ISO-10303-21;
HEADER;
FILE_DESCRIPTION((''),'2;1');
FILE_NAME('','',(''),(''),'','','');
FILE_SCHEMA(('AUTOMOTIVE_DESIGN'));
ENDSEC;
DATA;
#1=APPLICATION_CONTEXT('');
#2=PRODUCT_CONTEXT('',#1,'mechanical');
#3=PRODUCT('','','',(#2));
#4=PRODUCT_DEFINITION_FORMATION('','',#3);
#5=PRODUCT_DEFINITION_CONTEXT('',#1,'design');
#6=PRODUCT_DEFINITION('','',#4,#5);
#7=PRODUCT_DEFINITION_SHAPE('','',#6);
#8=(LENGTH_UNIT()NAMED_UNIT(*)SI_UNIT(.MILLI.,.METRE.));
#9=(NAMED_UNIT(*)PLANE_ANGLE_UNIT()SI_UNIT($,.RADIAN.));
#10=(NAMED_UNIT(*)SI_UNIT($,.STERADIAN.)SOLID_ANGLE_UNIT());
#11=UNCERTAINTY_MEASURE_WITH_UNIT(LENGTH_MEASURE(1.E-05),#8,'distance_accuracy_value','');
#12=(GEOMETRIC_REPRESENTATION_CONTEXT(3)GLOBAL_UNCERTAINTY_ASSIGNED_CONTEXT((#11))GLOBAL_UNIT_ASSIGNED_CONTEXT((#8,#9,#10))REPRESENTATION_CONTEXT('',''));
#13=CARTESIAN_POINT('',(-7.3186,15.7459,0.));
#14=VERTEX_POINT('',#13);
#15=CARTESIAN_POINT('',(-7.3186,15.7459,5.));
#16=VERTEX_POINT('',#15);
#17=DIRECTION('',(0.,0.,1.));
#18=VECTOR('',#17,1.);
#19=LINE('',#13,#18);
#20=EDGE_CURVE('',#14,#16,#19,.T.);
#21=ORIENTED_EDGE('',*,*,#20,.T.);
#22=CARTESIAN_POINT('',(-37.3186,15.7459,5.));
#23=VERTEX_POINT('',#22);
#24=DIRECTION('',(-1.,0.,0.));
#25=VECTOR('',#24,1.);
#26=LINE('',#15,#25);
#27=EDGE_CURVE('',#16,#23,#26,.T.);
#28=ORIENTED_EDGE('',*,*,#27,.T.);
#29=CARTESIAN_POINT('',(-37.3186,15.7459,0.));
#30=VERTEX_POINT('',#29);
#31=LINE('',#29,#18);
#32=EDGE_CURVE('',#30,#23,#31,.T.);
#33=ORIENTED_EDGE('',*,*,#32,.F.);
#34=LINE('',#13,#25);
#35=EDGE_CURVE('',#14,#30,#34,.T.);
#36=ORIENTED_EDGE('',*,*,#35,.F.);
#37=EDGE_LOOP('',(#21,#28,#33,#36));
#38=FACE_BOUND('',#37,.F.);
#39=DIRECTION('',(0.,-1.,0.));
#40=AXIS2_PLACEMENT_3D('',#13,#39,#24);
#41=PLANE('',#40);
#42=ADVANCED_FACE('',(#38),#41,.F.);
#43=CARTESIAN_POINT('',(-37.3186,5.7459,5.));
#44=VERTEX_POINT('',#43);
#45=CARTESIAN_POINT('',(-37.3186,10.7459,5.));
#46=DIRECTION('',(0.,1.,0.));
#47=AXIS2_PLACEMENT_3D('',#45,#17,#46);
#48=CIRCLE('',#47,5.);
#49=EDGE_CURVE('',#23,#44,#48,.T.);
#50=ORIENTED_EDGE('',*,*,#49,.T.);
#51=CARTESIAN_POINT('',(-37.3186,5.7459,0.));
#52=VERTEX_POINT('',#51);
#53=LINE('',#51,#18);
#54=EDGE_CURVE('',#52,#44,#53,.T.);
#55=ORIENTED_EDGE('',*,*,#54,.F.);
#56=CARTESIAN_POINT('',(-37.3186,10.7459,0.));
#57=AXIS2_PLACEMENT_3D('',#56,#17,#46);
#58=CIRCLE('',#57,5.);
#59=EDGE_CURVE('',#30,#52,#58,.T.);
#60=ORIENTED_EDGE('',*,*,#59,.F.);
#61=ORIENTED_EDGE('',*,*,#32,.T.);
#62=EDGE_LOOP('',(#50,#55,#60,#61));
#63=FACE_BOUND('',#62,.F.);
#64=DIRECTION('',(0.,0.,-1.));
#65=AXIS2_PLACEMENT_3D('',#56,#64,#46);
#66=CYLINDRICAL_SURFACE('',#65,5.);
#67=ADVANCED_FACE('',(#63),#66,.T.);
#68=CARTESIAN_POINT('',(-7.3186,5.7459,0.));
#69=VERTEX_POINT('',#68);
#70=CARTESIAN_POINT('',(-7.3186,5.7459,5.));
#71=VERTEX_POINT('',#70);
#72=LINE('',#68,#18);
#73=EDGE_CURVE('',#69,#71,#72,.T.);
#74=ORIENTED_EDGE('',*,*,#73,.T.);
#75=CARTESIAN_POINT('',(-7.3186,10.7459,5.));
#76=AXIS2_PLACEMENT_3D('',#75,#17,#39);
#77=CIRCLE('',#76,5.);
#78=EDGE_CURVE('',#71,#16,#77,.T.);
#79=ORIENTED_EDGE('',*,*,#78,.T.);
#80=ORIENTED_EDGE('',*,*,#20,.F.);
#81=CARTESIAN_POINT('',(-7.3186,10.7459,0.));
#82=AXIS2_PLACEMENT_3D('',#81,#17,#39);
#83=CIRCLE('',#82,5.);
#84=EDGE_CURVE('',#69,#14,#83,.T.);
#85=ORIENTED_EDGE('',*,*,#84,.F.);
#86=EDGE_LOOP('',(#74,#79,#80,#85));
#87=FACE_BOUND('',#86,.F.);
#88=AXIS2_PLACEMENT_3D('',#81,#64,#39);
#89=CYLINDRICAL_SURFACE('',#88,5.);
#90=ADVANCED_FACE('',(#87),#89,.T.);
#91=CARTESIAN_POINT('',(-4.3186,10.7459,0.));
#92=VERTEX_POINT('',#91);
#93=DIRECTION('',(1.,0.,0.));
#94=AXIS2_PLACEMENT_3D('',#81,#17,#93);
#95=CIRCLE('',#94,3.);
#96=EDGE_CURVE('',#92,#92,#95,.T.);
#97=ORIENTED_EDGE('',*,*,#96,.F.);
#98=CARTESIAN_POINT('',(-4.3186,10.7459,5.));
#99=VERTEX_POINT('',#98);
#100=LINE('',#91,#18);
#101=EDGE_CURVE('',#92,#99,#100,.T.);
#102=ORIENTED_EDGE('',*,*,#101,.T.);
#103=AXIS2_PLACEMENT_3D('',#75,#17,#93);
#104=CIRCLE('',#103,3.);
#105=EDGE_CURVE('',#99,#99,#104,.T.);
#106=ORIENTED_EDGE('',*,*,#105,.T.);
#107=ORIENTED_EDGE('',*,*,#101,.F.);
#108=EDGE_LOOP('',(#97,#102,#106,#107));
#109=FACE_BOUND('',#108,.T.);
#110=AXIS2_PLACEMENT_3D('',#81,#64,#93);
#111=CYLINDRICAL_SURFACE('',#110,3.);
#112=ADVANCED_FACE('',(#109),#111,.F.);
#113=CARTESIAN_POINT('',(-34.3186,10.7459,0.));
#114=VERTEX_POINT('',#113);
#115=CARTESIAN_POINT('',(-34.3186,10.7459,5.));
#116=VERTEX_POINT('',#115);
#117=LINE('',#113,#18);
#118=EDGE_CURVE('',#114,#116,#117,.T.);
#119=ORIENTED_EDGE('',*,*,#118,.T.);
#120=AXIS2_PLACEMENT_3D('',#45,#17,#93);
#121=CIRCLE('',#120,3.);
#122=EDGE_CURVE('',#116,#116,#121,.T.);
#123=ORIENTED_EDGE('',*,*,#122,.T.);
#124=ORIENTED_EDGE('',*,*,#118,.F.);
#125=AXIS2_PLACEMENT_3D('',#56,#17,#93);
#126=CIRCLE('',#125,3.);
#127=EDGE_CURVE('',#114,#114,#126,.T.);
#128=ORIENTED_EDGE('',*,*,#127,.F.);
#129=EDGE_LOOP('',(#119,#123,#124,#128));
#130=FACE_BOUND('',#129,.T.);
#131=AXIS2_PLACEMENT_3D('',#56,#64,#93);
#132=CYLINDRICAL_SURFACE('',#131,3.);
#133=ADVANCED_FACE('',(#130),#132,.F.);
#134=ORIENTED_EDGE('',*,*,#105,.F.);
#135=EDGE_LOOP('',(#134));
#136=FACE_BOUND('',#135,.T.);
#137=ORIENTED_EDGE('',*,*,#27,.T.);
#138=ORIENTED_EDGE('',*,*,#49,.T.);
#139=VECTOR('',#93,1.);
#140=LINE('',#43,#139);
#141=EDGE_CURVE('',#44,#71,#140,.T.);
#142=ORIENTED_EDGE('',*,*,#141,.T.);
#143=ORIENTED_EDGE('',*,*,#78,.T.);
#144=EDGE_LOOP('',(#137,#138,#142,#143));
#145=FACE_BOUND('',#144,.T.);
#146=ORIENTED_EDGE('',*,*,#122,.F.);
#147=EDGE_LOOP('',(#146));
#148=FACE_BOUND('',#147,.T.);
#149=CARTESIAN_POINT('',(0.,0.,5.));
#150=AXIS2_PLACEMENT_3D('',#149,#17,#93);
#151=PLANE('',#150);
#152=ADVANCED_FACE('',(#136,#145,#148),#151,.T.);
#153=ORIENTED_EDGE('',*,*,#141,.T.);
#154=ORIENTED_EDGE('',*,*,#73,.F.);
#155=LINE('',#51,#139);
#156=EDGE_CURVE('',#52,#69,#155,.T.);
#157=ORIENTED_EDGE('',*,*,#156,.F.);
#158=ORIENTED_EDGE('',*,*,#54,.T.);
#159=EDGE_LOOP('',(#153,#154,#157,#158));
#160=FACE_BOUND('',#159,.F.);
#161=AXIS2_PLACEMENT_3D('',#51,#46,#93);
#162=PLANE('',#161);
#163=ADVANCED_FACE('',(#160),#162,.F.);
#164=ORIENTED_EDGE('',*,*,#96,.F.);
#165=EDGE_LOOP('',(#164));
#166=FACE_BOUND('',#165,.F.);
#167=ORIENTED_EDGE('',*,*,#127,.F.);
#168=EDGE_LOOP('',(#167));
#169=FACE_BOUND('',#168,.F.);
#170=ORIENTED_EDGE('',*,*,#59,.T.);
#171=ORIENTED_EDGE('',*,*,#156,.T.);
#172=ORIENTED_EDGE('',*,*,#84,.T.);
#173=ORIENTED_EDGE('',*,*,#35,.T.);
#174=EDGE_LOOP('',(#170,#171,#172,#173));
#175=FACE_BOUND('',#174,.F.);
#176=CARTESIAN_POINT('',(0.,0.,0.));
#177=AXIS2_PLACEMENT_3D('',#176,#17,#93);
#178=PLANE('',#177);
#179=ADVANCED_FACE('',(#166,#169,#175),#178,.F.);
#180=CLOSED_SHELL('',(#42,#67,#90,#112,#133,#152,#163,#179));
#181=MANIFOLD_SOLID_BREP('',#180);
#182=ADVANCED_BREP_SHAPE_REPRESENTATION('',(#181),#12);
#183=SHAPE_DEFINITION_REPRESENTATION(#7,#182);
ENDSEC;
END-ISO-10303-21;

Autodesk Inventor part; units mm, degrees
ref_plane "YZ Plane" through (0, 0, 0) normal (1, 0, 0) x (0, 1, 0)
ref_plane "XZ Plane" through (0, 0, 0) normal (0, 1, 0) x (-1, 0, 0)
ref_plane "XY Plane" through (0, 0, 0) normal (0, 0, 1) x (1, 0, 0)
sketch "Sketch1" plane through (0, 0, 0) normal (0, 0, 1) x (1, 0, 0)
  line L0 (-37.3186, 10.7459) -> (-7.3186, 10.7459) construction
  line L1 (-37.3186, 5.7459) -> (-7.3186, 5.7459)
  line L2 (-7.3186, 15.7459) -> (-37.3186, 15.7459)
  arc A0 (-37.3186, 15.7459) -> (-37.3186, 5.7459) centre (-37.3186, 10.7459) ccw
  arc A1 (-7.3186, 5.7459) -> (-7.3186, 15.7459) centre (-7.3186, 10.7459) ccw
  circle A2 centre (-37.3186, 10.7459) radius 3
  circle A3 centre (-7.3186, 10.7459) radius 3
  point P0 (0, 0)
  point P1 (-22.3186, 10.7459)
  dimension "d0" = 10
  dimension "d5" = 30
  dimension "d6" = 6
extrude "Extrusion1" add sketch "Sketch1" along normal blind 5
equation "\"d0\" = R"
equation "\"d6\" = r"
equation "\"d3\" = th"
equation "\"th\" = 5"
equation "\"r\" = 6"
equation "\"R\" = 10"
